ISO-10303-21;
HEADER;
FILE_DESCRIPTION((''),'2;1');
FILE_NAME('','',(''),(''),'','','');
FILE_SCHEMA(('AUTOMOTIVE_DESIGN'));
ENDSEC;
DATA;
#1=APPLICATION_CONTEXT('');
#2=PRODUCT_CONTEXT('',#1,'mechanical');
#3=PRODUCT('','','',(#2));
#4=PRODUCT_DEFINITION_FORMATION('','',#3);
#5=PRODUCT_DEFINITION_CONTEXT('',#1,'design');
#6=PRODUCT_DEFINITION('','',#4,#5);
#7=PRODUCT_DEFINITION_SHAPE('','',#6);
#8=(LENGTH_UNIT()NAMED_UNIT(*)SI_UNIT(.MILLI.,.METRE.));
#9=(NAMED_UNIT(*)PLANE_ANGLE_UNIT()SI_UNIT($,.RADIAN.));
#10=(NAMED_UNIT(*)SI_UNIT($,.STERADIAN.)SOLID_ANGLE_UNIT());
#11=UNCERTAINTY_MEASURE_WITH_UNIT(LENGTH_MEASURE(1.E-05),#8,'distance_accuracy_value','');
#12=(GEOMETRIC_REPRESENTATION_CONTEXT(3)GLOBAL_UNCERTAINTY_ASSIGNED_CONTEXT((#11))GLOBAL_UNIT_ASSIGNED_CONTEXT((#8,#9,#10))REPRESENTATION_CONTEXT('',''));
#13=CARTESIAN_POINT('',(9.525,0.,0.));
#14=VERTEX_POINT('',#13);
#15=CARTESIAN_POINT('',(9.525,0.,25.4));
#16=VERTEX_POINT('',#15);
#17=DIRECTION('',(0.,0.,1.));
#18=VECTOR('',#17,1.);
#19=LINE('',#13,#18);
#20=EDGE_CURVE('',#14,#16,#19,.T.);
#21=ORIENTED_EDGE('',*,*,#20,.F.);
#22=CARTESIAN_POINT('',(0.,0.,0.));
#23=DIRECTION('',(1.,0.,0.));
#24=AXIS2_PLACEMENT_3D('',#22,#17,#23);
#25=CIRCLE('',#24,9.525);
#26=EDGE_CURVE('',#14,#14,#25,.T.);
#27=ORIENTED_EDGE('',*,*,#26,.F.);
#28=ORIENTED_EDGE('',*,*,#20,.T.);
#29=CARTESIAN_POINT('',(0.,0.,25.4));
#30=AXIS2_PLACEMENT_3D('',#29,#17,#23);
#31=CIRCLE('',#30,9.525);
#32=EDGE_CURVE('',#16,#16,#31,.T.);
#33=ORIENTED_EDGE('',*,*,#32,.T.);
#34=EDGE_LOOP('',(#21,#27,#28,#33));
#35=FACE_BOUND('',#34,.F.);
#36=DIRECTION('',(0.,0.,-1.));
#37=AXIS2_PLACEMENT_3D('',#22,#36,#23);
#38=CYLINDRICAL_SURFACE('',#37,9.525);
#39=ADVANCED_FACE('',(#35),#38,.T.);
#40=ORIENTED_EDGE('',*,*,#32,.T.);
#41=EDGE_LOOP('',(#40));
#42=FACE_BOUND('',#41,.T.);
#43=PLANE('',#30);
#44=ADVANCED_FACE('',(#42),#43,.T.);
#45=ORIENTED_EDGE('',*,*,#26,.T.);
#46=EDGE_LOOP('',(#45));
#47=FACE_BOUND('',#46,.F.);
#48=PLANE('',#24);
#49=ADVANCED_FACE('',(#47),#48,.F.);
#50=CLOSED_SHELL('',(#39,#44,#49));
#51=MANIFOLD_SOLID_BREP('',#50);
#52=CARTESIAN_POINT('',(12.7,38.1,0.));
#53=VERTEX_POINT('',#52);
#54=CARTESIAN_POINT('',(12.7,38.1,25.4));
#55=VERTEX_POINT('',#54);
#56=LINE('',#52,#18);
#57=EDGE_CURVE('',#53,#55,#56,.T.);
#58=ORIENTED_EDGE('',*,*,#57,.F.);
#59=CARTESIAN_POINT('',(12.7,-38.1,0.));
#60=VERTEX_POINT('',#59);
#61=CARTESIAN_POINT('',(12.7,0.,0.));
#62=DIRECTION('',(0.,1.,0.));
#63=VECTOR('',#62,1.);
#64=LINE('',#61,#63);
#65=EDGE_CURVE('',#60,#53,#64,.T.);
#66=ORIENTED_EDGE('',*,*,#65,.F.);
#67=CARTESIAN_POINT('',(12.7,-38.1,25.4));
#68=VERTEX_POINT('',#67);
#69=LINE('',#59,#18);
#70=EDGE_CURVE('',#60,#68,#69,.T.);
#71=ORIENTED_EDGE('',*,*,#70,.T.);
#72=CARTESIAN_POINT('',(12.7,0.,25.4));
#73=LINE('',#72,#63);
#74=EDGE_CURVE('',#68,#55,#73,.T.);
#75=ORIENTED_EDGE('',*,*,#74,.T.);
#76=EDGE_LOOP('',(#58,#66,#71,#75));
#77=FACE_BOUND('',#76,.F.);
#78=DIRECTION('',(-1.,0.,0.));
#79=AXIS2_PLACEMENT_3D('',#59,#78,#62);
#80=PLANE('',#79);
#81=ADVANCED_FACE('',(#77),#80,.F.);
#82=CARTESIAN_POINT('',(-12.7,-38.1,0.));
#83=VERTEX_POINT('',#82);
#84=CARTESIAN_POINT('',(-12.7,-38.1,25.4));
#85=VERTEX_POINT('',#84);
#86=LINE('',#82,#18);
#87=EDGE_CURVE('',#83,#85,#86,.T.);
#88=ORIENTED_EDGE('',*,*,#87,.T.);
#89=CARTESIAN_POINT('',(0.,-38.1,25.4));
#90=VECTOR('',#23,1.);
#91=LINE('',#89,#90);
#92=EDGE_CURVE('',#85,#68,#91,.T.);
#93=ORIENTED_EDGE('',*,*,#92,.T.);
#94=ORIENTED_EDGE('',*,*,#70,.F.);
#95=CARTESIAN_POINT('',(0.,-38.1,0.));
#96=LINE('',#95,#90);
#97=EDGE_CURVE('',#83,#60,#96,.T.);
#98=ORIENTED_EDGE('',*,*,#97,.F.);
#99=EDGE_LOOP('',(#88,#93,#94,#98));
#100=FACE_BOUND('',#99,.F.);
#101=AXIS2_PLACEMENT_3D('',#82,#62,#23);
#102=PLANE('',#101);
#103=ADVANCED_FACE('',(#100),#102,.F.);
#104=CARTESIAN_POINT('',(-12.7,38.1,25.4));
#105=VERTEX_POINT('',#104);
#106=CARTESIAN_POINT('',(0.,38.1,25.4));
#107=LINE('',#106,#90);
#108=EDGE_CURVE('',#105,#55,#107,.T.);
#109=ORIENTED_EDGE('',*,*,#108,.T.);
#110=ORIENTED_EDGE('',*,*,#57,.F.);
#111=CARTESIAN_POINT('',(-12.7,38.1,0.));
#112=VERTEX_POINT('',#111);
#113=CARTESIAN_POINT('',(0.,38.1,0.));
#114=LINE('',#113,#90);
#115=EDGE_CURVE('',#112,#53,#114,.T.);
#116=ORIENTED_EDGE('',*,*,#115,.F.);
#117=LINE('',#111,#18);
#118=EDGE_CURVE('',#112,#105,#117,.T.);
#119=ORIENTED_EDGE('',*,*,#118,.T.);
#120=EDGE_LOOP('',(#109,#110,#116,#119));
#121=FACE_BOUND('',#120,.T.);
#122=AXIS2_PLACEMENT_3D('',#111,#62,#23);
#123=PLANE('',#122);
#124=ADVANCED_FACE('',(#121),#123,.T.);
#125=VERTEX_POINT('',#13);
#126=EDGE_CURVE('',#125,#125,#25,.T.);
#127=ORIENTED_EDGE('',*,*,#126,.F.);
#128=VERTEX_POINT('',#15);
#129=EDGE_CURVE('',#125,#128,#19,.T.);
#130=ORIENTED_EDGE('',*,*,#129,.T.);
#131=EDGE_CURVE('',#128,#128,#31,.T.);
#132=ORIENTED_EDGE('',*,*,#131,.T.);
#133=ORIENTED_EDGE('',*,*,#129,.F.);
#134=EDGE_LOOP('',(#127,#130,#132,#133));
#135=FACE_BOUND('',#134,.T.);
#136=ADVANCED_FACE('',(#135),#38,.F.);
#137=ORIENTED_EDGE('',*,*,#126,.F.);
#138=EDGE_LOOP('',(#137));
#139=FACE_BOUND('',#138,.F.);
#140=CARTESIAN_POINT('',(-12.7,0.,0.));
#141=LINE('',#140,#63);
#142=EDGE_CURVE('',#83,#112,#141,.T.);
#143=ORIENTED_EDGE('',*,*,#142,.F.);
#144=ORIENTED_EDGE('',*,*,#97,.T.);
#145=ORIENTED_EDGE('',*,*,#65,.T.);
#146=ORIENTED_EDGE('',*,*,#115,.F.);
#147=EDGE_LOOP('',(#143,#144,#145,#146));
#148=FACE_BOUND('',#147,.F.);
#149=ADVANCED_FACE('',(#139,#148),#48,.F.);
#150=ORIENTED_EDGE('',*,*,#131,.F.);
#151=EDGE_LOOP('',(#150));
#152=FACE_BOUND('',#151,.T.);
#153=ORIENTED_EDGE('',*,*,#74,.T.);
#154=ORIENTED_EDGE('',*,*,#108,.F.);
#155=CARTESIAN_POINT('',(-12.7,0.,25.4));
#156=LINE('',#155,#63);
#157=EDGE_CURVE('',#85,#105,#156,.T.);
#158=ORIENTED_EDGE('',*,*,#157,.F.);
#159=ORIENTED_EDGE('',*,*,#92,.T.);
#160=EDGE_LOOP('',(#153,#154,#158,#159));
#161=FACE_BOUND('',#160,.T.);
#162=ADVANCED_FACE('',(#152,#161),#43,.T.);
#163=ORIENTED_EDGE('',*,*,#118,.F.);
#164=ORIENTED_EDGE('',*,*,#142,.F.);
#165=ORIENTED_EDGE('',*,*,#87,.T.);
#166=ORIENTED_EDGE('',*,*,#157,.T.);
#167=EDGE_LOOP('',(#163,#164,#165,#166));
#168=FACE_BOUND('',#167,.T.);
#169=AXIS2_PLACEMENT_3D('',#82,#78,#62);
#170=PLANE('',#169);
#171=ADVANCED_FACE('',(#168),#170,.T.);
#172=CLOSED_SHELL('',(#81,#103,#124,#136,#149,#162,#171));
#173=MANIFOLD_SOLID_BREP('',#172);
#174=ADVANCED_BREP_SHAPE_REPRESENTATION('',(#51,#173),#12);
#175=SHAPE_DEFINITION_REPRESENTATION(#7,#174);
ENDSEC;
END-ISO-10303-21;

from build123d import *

# Parameters (mm, degrees)
F0_W     = 25.4
F0_H     = 76.2
F0_R     = 9.525
F1_DEPTH = 25.4
F2_R     = 9.525
F3_DEPTH = 25.4


with BuildPart() as f1:
    # F0 (on Top) → F1 (new body)
    with BuildSketch(Plane.XY):
        Rectangle(F0_W, F0_H)
        Circle(F0_R, mode=Mode.SUBTRACT)
    extrude(amount=F1_DEPTH)


with BuildPart() as f3:
    # F2 (on Top) → F3 (new body)
    with BuildSketch(Plane.XY):
        Circle(F2_R)
    extrude(amount=F3_DEPTH)


solid = Compound([f1.part, f3.part])
